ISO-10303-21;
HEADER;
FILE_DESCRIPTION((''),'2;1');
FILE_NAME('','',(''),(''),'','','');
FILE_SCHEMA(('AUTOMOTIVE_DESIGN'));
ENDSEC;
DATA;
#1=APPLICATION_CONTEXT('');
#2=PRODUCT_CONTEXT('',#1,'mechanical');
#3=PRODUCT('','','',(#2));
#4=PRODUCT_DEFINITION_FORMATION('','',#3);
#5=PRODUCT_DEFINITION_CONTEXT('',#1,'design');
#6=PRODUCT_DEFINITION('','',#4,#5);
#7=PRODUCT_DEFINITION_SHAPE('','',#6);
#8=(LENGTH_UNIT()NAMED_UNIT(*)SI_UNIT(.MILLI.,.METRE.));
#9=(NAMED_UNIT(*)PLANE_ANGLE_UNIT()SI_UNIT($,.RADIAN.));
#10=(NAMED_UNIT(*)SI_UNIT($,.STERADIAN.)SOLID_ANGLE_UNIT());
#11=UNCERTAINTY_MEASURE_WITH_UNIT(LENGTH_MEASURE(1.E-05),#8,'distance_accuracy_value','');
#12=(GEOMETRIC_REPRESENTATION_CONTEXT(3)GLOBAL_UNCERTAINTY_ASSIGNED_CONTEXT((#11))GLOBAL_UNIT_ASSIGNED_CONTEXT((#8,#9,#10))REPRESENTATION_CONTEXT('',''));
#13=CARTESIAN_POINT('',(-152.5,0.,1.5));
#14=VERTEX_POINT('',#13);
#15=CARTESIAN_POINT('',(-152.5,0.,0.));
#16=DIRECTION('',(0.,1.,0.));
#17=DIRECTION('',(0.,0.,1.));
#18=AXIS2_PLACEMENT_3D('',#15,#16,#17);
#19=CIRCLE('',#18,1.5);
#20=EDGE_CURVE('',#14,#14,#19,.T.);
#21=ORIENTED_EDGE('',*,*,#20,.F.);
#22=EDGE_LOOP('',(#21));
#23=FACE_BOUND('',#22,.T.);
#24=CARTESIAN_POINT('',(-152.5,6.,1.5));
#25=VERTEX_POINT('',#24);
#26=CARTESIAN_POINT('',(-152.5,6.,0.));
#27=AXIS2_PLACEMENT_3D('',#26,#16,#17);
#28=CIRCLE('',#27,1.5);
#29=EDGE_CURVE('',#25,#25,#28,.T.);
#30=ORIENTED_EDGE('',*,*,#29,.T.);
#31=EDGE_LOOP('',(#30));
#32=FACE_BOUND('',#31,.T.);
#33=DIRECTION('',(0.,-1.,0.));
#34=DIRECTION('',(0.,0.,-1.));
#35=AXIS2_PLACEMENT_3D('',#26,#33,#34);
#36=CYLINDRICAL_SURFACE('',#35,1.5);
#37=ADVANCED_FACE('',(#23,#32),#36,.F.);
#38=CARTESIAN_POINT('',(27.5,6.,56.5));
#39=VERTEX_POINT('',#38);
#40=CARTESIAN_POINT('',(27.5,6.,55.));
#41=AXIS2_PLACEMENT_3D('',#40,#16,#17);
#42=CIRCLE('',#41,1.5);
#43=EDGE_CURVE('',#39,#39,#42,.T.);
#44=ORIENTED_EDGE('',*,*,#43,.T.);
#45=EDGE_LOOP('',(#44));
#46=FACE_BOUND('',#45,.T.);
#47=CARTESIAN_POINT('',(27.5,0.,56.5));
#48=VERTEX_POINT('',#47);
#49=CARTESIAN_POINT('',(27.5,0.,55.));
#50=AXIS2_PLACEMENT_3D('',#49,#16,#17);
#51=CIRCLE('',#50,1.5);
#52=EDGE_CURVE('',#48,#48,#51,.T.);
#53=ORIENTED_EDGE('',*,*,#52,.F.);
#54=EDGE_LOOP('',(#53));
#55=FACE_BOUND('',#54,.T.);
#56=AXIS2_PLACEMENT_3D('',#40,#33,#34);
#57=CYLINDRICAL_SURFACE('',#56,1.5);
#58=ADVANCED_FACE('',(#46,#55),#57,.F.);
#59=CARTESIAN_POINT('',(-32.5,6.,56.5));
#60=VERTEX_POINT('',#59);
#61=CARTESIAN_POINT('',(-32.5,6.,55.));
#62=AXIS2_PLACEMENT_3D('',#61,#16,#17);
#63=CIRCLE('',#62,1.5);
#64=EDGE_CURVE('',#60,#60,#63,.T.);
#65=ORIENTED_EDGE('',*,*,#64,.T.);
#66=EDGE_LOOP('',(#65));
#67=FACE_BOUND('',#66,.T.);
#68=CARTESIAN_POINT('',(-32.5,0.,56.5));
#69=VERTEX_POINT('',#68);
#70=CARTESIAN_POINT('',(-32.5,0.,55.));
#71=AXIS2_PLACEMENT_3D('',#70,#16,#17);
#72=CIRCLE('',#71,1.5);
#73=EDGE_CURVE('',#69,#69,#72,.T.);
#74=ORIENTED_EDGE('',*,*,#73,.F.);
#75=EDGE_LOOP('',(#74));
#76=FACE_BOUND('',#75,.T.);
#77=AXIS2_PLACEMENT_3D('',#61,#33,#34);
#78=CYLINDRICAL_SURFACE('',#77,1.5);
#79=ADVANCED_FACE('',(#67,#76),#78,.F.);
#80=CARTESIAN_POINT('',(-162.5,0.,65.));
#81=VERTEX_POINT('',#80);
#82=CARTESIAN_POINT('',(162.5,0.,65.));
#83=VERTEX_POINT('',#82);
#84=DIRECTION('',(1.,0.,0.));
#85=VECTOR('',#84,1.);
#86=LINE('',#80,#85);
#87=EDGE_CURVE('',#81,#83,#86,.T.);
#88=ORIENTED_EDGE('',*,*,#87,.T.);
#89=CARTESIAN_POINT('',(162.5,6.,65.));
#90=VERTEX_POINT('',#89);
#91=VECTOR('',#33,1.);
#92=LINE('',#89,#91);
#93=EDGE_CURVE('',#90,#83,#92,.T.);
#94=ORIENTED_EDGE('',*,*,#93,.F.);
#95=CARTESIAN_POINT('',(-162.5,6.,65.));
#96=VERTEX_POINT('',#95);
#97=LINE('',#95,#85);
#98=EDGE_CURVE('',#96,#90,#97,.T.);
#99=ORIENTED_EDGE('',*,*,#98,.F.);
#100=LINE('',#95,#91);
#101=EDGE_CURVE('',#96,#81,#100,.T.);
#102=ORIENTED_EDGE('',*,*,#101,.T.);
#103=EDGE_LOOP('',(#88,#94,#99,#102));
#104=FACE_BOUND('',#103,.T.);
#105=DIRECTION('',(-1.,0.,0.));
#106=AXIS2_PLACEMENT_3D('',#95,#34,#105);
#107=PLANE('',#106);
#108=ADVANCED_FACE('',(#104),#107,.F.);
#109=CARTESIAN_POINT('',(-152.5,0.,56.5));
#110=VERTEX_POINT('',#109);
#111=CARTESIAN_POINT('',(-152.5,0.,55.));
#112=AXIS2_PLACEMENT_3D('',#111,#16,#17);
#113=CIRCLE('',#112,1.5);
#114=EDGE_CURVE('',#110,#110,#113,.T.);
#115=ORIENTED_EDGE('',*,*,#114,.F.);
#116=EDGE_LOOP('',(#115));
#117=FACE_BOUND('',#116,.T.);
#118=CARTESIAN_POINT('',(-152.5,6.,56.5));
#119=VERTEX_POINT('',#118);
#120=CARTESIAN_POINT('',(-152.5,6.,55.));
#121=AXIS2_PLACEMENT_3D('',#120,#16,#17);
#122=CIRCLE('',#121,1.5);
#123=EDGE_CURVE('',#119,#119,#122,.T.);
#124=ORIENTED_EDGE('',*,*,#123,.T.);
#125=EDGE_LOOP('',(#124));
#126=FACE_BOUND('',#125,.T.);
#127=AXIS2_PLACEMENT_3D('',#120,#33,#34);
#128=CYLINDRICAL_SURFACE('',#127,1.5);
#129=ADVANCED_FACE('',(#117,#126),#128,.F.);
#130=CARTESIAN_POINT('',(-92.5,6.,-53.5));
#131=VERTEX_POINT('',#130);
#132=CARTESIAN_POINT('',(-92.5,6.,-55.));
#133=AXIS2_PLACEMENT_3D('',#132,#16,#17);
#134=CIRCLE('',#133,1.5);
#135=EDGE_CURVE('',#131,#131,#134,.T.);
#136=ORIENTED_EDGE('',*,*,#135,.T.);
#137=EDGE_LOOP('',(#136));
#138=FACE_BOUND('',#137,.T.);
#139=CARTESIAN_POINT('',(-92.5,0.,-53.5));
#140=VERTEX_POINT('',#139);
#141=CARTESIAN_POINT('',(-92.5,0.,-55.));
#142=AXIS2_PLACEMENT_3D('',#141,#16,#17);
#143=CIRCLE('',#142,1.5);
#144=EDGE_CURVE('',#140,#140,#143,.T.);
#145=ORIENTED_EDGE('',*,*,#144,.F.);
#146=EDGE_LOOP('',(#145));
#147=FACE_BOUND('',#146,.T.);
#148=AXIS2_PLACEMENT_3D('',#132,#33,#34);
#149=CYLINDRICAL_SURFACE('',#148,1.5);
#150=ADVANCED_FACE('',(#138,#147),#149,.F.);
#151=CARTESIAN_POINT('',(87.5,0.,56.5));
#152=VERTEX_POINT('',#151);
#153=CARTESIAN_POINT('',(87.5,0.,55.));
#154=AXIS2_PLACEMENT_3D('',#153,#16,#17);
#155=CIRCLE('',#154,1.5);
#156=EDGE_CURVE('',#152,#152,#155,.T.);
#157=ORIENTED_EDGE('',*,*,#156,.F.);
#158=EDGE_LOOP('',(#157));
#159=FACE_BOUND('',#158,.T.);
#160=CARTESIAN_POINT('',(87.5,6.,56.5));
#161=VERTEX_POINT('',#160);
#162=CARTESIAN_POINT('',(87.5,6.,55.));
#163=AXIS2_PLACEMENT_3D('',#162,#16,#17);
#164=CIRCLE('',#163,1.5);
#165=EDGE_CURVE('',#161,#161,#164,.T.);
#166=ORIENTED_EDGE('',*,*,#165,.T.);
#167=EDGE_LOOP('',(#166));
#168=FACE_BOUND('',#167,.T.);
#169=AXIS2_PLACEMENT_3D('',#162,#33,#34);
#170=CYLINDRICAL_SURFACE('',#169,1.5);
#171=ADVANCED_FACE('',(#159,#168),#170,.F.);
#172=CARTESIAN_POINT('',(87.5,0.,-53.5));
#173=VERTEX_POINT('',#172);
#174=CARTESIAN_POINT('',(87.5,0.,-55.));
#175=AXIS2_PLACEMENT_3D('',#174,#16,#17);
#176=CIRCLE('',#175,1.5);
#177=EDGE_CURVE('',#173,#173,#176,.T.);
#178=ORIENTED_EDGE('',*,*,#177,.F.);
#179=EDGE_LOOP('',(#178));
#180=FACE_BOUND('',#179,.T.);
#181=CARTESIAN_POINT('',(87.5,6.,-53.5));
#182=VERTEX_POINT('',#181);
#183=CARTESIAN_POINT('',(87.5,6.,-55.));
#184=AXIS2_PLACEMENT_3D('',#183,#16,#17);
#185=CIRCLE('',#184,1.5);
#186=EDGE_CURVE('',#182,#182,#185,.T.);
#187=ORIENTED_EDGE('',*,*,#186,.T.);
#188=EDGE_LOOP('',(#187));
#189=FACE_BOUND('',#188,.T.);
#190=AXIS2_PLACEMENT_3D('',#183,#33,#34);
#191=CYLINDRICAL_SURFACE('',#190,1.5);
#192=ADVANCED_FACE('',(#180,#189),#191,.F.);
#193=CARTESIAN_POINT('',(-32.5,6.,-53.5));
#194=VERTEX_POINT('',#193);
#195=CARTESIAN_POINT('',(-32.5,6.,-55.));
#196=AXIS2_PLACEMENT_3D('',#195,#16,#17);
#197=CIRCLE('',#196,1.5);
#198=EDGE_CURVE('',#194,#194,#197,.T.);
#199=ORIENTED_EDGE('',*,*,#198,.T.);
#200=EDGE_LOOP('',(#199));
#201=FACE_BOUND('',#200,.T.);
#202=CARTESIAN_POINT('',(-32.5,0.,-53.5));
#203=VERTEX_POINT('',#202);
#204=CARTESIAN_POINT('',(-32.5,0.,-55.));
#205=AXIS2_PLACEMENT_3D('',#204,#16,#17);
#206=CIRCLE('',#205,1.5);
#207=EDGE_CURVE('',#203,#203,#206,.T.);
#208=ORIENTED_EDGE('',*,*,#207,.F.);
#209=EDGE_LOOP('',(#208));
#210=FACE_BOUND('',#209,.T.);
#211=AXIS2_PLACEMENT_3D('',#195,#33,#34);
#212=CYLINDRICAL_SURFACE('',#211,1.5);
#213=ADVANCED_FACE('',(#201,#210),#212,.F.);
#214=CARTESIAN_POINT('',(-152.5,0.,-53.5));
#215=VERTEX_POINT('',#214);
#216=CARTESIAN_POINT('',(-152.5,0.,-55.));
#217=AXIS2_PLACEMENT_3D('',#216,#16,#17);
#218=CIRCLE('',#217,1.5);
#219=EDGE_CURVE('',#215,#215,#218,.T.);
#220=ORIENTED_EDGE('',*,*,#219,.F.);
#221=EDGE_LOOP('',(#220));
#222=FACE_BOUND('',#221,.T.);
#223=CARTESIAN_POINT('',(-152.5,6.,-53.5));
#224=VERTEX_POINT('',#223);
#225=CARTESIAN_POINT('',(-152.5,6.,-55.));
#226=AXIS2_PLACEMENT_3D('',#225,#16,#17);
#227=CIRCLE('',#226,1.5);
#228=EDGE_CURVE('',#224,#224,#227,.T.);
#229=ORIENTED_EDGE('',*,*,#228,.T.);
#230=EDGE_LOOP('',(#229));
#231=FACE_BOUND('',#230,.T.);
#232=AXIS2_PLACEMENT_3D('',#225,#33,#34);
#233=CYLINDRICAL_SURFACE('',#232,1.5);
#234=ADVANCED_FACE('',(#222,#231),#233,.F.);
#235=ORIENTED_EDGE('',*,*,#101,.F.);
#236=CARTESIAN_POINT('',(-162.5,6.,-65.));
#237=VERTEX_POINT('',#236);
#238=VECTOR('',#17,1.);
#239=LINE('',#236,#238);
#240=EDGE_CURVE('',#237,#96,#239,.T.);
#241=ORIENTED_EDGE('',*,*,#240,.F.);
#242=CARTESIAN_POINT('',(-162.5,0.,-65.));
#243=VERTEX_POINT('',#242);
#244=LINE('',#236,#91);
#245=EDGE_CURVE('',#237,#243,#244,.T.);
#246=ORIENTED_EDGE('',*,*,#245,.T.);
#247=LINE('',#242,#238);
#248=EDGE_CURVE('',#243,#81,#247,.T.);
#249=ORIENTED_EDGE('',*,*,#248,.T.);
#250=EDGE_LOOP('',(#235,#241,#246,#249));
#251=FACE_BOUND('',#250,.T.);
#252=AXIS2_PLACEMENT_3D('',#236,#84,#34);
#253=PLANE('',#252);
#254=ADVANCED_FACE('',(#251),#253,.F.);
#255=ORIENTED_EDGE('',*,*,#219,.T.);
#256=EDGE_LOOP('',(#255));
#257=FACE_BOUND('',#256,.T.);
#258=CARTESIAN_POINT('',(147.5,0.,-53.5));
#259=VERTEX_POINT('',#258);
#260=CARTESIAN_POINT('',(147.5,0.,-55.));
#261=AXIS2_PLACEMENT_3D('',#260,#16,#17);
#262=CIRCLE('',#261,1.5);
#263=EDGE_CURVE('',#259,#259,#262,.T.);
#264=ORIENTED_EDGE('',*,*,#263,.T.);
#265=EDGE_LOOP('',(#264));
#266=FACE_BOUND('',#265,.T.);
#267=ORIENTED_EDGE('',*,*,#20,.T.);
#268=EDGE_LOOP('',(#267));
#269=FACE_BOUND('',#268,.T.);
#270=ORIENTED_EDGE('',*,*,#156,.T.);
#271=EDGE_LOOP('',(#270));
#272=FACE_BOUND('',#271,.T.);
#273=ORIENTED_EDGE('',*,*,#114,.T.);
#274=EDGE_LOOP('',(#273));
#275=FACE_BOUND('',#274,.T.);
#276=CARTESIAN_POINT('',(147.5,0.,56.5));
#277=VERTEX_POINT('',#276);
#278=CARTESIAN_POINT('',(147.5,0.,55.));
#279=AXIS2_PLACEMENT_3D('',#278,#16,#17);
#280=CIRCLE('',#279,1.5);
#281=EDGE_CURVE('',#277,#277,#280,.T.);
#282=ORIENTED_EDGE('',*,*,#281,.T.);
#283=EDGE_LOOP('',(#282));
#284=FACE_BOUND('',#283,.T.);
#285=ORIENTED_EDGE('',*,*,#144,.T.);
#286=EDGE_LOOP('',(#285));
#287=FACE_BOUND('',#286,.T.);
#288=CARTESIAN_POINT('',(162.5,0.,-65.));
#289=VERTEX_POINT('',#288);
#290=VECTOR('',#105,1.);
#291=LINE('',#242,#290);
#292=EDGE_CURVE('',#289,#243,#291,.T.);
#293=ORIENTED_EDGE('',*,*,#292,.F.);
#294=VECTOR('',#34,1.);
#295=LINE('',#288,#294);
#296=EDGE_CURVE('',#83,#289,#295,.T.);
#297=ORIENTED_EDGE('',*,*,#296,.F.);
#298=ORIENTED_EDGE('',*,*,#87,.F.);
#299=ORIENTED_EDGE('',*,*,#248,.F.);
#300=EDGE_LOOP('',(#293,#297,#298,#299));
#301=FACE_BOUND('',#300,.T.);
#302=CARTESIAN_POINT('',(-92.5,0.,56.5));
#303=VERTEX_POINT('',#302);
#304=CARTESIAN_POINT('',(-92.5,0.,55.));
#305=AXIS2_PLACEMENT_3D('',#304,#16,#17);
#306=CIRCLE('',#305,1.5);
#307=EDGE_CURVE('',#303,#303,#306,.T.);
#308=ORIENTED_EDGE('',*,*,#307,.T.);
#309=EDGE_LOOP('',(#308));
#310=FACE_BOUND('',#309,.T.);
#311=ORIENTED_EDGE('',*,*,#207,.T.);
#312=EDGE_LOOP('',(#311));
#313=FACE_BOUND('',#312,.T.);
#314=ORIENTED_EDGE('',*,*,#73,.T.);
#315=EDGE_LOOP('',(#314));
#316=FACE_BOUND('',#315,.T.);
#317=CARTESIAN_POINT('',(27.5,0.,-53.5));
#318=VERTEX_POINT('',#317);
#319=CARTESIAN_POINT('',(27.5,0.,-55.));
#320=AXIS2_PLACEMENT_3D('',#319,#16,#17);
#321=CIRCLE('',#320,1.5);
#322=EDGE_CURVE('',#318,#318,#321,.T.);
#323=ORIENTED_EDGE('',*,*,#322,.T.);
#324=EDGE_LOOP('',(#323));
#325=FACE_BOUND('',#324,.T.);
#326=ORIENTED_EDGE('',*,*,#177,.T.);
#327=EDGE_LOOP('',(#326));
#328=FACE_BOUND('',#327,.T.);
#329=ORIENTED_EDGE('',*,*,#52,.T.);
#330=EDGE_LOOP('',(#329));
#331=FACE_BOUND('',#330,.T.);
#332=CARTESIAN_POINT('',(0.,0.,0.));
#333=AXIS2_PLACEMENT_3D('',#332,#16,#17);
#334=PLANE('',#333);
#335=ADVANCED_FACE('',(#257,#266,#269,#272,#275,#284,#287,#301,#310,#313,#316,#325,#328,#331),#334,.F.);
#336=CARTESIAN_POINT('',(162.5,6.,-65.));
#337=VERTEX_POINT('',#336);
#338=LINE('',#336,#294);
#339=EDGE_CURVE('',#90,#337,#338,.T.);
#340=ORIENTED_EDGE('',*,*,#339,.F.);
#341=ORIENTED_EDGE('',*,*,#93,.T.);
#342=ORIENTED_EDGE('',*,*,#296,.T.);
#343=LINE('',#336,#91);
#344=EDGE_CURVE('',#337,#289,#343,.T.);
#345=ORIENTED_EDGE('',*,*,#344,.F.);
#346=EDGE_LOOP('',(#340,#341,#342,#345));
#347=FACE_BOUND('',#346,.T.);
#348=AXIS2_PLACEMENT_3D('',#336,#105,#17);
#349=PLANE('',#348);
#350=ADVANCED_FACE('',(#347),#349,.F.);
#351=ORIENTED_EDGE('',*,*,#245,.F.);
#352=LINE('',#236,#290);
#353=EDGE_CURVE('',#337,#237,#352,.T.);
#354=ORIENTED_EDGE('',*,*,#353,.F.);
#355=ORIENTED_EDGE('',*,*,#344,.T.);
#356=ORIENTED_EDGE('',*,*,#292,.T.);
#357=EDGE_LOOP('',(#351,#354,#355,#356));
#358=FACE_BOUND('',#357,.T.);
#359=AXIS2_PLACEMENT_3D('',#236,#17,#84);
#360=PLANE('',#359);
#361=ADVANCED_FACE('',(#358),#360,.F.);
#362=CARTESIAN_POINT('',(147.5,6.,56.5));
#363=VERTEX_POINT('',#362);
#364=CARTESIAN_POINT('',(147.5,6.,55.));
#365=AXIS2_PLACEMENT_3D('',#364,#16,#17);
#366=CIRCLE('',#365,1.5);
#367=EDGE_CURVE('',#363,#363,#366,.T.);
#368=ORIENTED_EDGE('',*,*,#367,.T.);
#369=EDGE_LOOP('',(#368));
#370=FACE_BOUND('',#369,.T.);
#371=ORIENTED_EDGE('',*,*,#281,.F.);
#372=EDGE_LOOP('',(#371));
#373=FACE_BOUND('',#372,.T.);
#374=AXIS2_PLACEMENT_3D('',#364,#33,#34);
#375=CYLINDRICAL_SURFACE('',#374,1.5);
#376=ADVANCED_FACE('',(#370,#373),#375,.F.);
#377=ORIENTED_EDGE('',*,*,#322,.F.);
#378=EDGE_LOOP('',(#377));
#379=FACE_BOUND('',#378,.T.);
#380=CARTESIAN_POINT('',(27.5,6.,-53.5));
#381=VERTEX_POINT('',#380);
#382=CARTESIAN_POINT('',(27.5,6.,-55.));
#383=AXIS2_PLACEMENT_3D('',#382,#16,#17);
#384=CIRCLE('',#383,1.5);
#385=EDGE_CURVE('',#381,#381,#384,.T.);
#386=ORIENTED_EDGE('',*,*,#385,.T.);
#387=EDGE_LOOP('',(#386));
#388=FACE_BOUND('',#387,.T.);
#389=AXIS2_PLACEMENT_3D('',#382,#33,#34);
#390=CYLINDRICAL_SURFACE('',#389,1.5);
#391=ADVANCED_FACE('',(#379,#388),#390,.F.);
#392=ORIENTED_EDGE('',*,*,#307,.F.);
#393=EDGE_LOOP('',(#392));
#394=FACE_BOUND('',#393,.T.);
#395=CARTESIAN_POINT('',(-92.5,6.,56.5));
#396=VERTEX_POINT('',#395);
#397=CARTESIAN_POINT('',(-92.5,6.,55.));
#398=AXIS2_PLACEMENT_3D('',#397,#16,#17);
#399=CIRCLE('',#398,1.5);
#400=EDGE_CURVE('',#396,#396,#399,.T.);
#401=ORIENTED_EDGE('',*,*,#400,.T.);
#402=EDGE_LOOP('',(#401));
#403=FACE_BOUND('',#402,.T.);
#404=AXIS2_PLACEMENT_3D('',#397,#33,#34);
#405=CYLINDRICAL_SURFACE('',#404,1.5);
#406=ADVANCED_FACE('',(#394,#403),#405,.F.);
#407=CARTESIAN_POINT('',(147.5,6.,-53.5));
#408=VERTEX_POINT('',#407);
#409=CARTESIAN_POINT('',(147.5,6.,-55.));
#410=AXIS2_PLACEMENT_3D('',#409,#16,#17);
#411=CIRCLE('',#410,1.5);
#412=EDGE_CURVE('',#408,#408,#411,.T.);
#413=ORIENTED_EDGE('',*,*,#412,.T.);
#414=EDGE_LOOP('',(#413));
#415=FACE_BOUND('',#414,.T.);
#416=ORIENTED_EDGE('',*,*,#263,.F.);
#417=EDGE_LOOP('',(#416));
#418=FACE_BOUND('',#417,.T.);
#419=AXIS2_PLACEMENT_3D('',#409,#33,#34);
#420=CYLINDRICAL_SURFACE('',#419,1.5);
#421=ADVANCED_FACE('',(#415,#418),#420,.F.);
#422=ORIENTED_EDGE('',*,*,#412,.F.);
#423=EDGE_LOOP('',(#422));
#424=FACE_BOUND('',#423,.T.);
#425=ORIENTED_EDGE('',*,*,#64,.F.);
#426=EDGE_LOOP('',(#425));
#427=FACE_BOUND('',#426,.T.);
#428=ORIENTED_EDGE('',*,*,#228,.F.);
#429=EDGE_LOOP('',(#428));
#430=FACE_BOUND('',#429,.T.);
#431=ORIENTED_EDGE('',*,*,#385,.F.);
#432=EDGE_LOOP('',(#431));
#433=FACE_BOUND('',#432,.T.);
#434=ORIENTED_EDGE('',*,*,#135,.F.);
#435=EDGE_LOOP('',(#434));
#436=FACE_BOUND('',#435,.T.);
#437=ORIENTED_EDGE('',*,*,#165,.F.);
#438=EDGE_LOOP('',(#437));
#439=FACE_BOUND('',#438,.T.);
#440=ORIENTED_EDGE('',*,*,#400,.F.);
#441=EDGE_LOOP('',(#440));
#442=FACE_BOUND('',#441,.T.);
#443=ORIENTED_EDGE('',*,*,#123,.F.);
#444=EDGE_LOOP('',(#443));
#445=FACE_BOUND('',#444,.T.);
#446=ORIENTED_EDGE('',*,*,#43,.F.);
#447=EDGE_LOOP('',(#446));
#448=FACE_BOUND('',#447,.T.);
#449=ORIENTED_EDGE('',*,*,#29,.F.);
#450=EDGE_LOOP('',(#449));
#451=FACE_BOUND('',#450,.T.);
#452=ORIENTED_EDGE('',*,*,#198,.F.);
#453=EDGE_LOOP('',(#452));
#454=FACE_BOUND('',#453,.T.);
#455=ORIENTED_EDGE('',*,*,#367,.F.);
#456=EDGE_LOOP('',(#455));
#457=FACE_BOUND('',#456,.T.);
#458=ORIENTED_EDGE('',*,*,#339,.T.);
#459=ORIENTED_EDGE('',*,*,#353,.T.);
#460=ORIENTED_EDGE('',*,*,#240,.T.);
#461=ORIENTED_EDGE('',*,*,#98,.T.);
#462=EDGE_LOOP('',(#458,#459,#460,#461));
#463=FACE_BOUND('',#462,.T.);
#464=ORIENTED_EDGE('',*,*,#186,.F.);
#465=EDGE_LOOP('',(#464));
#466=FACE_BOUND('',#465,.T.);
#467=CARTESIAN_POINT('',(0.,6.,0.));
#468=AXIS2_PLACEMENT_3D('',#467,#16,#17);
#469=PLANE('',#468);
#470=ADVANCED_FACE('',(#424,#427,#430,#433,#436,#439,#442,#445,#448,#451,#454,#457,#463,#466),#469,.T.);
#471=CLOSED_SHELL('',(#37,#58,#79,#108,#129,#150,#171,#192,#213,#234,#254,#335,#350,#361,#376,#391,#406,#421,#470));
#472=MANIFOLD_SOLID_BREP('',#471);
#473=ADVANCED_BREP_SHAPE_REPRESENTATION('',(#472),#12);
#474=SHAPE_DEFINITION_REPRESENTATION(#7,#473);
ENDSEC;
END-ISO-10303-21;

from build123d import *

# Parameters (mm, degrees)
SKETCH_1_W      = 325
SKETCH_1_H      = 130
SKETCH_1_R      = 1.5
EXTRUDE_1_DEPTH = 6


with BuildPart() as part:
    # 草图1 → 凸台-拉伸1 (new body)
    with BuildSketch(Plane(origin=(0, 0, 0), x_dir=(1, 0, 0), z_dir=(0, 1, 0))):
        Rectangle(SKETCH_1_W, SKETCH_1_H)
        with Locations(Location((-152.5, 55, 0), (0, 0, 270))):
            Circle(SKETCH_1_R, mode=Mode.SUBTRACT)
        with Locations(Location((-152.5, -55, 0), (0, 0, 270))):
            Circle(SKETCH_1_R, mode=Mode.SUBTRACT)
        with Locations(Location((-92.5, 55, 0), (0, 0, 270))):
            Circle(SKETCH_1_R, mode=Mode.SUBTRACT)
        with Locations(Location((-32.5, 55, 0), (0, 0, 270))):
            Circle(SKETCH_1_R, mode=Mode.SUBTRACT)
        with Locations(Location((27.5, 55, 0), (0, 0, 270))):
            Circle(SKETCH_1_R, mode=Mode.SUBTRACT)
        with Locations(Location((87.5, 55, 0), (0, 0, 270))):
            Circle(SKETCH_1_R, mode=Mode.SUBTRACT)
        with Locations(Location((147.5, 55, 0), (0, 0, 270))):
            Circle(SKETCH_1_R, mode=Mode.SUBTRACT)
        with Locations(Location((-92.5, -55, 0), (0, 0, 270))):
            Circle(SKETCH_1_R, mode=Mode.SUBTRACT)
        with Locations(Location((-32.5, -55, 0), (0, 0, 270))):
            Circle(SKETCH_1_R, mode=Mode.SUBTRACT)
        with Locations(Location((27.5, -55, 0), (0, 0, 270))):
            Circle(SKETCH_1_R, mode=Mode.SUBTRACT)
        with Locations(Location((87.5, -55, 0), (0, 0, 270))):
            Circle(SKETCH_1_R, mode=Mode.SUBTRACT)
        with Locations(Location((147.5, -55, 0), (0, 0, 270))):
            Circle(SKETCH_1_R, mode=Mode.SUBTRACT)
        with Locations(Location((-152.5, 0, 0), (0, 0, 270))):
            Circle(SKETCH_1_R, mode=Mode.SUBTRACT)
    extrude(amount=EXTRUDE_1_DEPTH)


solid = part.part
